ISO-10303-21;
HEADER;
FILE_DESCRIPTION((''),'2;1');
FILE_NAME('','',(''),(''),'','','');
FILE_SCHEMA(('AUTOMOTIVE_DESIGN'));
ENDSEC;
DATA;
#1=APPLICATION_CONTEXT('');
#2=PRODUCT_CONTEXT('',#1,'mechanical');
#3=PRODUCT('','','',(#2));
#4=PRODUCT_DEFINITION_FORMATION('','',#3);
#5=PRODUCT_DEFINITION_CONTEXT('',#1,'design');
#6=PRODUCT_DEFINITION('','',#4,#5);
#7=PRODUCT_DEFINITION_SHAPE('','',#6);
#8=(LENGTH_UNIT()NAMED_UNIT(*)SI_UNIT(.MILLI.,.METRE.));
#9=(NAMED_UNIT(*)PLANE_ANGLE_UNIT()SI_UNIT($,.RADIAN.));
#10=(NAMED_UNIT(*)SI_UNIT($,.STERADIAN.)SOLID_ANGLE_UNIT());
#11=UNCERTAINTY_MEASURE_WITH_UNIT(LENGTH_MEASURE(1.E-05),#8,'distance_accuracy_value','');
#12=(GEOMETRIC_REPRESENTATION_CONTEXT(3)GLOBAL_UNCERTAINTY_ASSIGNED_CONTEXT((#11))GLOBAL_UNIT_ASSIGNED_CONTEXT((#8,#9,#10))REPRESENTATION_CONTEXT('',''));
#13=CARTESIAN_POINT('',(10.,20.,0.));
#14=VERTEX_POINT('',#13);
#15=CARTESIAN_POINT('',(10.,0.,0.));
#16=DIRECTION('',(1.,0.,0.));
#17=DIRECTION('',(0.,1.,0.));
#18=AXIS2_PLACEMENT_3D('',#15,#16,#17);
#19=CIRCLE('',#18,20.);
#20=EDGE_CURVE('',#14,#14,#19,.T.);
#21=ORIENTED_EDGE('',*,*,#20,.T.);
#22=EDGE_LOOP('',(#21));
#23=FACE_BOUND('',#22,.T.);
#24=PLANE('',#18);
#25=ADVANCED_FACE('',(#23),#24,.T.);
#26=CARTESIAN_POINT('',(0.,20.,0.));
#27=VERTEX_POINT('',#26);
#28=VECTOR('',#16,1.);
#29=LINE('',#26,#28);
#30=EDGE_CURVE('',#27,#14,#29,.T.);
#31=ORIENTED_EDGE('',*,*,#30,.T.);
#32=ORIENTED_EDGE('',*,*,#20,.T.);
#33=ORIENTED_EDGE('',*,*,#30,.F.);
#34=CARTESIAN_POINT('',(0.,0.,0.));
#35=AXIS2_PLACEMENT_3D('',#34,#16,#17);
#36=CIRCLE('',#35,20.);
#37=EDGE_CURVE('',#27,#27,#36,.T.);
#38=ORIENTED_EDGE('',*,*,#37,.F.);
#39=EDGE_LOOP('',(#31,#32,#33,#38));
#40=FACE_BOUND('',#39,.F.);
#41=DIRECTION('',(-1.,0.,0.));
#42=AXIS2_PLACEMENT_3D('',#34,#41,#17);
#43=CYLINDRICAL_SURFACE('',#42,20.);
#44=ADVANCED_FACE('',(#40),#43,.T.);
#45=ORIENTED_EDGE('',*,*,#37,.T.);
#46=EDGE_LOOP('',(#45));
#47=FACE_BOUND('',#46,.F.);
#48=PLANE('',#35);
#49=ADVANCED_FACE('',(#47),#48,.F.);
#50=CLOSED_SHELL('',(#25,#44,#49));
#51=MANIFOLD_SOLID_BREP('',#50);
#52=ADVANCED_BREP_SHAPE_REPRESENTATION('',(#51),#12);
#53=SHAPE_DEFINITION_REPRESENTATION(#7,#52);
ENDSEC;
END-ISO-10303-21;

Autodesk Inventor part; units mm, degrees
ref_plane "YZ Plane" through (0, 0, 0) normal (1, 0, 0) x (0, 1, 0)
ref_plane "XZ Plane" through (0, 0, 0) normal (0, 1, 0) x (-1, 0, 0)
ref_plane "XY Plane" through (0, 0, 0) normal (0, 0, 1) x (1, 0, 0)
sketch "Sketch1" plane through (0, 0, 0) normal (1, 0, 0) x (0, 1, 0)
  circle A0 centre (0, 0) radius 20
  dimension "d0" = 40
extrude "Extrusion1" add sketch "Sketch1" along normal blind 10
equation "\"BendRadius\" = Thickness"
equation "\"BendReliefWidth\" = Thickness"
equation "\"BendReliefDepth\" = 0.5 * Thickness"
equation "\"CornerReliefSize\" = 4 * Thickness"
equation "\"MinimumRemnant\" = 2 * Thickness"
equation "\"TransitionRadius\" = BendRadius"
equation "\"JacobiRadiusSize\" = BendRadius"
equation "\"GapSize\" = Thickness"
equation "\"Thickness\" = 0.5"
properties part number "Base deslizadora"
